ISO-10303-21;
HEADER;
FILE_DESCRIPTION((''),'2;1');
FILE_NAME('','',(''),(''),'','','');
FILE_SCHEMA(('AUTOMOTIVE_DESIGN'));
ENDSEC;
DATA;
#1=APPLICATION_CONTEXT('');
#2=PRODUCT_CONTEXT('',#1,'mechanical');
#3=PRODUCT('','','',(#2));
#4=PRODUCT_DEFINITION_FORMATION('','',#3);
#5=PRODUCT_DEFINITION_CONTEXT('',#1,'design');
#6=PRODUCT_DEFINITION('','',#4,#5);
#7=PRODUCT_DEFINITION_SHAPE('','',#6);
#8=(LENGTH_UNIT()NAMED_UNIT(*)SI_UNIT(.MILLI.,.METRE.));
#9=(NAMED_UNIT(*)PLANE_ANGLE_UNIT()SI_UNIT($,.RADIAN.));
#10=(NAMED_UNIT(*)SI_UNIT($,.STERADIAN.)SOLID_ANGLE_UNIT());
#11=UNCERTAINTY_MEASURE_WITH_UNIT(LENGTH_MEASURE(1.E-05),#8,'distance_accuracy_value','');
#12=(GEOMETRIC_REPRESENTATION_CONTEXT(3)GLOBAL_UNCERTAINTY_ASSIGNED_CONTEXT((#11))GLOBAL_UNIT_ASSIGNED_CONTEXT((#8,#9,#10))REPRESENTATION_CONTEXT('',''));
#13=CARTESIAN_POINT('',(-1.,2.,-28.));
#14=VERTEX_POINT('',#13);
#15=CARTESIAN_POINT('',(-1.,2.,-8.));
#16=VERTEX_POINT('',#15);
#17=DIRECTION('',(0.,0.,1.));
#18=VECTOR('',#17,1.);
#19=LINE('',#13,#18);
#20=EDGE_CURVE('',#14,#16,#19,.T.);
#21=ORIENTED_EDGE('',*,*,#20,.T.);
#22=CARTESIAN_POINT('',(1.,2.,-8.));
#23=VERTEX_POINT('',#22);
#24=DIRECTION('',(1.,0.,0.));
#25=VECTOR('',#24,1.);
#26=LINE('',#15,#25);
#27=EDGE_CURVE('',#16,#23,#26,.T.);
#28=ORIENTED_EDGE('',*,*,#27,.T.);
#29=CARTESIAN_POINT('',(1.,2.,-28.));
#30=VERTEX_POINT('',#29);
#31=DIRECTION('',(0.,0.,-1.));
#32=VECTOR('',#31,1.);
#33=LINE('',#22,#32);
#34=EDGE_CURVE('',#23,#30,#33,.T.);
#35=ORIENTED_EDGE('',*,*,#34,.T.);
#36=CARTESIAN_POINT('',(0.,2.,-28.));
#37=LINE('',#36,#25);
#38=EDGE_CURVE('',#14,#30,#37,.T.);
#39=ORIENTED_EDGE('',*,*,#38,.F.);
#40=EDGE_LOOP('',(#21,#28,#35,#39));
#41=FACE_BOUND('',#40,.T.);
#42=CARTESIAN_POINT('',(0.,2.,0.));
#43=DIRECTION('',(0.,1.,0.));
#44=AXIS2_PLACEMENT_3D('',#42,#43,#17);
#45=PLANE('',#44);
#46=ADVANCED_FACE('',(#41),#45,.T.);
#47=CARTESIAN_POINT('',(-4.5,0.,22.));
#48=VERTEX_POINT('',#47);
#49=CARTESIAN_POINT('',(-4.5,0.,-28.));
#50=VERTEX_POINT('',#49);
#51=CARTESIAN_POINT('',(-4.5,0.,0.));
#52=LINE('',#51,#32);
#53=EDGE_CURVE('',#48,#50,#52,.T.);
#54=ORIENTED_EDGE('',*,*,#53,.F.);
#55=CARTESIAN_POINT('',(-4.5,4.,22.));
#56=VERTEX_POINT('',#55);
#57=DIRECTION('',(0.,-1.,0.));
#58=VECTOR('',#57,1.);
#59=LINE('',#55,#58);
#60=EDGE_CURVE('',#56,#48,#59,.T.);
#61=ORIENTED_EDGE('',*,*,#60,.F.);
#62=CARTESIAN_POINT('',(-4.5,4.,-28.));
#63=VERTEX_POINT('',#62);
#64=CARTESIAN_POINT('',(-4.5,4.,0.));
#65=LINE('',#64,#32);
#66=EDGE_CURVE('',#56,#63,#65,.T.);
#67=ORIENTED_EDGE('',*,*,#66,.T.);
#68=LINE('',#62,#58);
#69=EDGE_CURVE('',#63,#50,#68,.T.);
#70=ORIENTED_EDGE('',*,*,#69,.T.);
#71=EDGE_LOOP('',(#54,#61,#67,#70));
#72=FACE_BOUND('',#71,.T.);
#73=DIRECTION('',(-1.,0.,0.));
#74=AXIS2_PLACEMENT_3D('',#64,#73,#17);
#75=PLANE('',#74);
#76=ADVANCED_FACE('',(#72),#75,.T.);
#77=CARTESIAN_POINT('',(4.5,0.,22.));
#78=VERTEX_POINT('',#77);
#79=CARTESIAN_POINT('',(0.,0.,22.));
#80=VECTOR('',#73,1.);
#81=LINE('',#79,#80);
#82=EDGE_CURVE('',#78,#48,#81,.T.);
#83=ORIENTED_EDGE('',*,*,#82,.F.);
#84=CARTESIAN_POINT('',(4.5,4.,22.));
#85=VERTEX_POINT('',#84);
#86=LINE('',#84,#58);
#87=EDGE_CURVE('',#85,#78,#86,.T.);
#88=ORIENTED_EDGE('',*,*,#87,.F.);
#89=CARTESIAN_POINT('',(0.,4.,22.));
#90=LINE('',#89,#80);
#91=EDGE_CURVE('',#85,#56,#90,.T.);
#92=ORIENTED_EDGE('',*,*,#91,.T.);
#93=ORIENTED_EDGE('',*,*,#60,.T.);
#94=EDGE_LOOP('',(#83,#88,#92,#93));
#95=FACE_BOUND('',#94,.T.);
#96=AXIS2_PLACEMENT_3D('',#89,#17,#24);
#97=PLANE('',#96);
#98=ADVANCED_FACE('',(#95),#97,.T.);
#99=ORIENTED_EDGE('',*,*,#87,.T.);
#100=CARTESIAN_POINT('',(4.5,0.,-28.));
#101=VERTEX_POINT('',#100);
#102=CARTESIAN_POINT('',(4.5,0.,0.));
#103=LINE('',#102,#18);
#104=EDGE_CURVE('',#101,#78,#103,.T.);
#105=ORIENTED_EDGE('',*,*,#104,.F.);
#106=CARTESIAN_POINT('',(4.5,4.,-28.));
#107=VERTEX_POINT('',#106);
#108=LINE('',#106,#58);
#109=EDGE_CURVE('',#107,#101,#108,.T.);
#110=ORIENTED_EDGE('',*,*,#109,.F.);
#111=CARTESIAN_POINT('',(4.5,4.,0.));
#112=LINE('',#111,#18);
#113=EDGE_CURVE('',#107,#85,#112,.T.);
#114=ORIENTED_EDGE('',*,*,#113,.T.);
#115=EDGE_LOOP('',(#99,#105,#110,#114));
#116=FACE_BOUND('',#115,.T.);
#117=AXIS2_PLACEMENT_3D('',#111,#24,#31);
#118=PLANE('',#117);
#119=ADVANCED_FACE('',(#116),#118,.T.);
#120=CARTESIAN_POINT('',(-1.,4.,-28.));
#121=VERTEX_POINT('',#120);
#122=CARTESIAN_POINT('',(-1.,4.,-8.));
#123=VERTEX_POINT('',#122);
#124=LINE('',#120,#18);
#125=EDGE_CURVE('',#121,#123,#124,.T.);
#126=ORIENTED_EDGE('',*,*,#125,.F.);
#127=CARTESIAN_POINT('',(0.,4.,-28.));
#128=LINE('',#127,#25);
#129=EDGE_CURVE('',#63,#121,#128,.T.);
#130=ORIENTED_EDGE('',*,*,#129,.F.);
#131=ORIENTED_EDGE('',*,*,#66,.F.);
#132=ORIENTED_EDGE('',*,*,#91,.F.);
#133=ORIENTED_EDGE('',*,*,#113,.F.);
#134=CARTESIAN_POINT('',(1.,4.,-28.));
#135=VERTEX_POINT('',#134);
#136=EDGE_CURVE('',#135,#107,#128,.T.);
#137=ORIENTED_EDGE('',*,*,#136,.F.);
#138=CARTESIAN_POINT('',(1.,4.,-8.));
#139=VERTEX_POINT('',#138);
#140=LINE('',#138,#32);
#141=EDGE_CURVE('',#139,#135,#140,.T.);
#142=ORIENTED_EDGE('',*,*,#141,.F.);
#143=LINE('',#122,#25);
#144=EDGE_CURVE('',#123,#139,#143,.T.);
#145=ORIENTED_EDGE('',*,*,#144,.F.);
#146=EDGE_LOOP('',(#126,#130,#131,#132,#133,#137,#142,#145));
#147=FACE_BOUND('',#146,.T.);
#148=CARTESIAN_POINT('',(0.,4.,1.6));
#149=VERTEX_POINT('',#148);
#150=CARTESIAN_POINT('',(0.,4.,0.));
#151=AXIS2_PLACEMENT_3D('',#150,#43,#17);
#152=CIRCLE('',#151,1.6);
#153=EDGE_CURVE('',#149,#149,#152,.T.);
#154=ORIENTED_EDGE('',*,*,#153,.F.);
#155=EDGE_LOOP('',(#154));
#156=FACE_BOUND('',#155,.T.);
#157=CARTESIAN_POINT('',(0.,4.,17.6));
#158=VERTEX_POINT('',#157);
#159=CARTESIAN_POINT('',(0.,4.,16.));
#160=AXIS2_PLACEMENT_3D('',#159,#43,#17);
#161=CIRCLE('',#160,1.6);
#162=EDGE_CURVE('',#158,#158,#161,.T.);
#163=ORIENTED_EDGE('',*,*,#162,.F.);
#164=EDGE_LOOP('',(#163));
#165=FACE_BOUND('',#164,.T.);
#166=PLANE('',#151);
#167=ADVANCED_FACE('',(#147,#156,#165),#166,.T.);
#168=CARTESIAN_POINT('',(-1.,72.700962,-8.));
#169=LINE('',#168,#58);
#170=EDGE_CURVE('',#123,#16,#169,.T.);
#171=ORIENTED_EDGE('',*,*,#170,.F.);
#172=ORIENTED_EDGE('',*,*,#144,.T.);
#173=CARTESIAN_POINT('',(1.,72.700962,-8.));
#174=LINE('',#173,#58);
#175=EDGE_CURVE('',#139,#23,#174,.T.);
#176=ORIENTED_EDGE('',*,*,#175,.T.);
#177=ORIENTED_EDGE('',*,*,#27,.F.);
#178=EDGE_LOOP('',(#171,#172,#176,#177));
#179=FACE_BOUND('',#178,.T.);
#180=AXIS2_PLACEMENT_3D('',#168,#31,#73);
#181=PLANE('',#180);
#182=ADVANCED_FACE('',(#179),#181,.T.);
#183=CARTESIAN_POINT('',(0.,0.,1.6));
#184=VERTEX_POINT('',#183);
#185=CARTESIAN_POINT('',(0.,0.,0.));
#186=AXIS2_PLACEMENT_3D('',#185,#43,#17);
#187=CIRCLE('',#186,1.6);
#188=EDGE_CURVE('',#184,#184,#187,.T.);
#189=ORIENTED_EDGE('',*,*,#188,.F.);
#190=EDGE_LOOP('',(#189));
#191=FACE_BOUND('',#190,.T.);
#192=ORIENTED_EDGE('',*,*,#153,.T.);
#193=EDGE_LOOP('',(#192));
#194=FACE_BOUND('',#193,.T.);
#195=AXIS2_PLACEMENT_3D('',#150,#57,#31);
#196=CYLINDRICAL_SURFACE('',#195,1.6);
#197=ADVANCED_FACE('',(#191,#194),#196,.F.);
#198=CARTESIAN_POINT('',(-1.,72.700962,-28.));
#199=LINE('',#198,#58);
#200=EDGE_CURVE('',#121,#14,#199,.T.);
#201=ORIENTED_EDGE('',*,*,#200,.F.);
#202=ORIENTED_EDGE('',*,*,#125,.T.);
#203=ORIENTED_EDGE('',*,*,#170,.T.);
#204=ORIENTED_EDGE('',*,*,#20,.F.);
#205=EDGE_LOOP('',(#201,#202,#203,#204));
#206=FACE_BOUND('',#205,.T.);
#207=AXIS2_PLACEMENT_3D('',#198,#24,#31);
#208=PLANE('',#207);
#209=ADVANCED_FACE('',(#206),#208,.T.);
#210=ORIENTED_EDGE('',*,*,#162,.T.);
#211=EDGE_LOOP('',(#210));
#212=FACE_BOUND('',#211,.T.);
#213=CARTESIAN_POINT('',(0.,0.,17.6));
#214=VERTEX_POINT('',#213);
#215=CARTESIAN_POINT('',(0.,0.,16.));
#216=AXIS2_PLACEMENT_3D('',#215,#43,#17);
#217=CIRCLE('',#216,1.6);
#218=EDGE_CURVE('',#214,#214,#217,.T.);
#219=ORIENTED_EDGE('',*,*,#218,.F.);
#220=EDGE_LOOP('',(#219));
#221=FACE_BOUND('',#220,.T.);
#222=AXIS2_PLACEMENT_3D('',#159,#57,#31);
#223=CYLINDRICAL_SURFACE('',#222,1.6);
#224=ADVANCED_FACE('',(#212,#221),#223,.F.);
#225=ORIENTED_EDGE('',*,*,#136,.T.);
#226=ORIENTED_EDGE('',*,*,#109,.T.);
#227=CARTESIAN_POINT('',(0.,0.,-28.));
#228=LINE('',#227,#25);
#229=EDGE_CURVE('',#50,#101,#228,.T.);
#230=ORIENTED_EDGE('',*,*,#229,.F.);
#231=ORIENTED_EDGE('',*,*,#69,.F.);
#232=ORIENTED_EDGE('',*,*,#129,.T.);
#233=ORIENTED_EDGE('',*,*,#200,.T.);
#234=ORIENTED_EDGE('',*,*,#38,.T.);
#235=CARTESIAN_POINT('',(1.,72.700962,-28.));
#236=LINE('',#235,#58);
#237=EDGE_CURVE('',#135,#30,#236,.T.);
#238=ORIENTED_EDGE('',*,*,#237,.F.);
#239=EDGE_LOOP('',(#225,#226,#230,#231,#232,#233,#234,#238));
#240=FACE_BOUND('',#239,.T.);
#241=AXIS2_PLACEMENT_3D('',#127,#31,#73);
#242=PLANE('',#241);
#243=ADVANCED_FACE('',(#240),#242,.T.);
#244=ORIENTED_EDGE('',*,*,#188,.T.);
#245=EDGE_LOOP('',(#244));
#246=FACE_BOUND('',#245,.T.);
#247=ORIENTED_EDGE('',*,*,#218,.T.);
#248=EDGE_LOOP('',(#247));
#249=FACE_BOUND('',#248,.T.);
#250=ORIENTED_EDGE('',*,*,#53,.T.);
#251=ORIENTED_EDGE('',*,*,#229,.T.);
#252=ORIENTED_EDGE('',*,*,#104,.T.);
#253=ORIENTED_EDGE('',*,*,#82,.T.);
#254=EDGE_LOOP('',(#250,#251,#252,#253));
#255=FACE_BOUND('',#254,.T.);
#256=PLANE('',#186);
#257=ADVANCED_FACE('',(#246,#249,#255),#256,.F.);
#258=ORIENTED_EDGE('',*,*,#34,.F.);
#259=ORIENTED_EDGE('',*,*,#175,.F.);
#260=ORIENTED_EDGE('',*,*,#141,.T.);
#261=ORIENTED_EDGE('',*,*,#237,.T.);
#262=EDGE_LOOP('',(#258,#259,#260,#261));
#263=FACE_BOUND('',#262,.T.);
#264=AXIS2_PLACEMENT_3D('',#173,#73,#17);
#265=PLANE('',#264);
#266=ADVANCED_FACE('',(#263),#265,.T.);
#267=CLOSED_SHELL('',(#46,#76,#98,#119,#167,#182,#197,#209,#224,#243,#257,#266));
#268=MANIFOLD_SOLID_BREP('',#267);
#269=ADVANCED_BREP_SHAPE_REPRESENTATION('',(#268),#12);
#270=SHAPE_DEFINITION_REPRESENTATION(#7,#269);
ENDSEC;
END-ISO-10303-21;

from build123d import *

# Parameters (mm, degrees)
SKETCH1_R               = 1.6
BOSS_EXTRUDE1_DEPTH     = 4
CUT_EXTRUDE1_DEPTH      = 29.640006983
CUT_EXTRUDE1_DEPTH_BACK = 2


with BuildPart() as part:
    # Sketch1 → Boss-Extrude1 (new body)
    with BuildSketch(Plane(origin=(0, 0, 0), x_dir=(1, 0, 0), z_dir=(0, 1, 0))):
        Polygon((0, -22), (-4.5, -22), (-4.5, 28), (4.5, 28), (4.5, -22), align=None)
        with Locations(Location((0, -16, 0), (0, 0, 270))):
            Circle(SKETCH1_R, mode=Mode.SUBTRACT)
        with Locations(Location((0, 0, 0), (0, 0, 270))):
            Circle(SKETCH1_R, mode=Mode.SUBTRACT)
    extrude(amount=BOSS_EXTRUDE1_DEPTH)

    # Sketch2 → Cut-Extrude1 (cut, two sides: drawn at the far end of the back side and taken through both)
    with BuildSketch(Plane(origin=(0, 4, 0), x_dir=(1, 0, 0), z_dir=(0, 1, 0)).offset(-CUT_EXTRUDE1_DEPTH_BACK)):
        Polygon((-1, 138.603180864), (-1, 28), (-1, 8), (1, 8), (1, 28), (1, 138.603180864), (1, 359.809542593), (-1, 359.809542593), align=None)
    extrude(amount=CUT_EXTRUDE1_DEPTH + CUT_EXTRUDE1_DEPTH_BACK, mode=Mode.SUBTRACT)


solid = part.part
